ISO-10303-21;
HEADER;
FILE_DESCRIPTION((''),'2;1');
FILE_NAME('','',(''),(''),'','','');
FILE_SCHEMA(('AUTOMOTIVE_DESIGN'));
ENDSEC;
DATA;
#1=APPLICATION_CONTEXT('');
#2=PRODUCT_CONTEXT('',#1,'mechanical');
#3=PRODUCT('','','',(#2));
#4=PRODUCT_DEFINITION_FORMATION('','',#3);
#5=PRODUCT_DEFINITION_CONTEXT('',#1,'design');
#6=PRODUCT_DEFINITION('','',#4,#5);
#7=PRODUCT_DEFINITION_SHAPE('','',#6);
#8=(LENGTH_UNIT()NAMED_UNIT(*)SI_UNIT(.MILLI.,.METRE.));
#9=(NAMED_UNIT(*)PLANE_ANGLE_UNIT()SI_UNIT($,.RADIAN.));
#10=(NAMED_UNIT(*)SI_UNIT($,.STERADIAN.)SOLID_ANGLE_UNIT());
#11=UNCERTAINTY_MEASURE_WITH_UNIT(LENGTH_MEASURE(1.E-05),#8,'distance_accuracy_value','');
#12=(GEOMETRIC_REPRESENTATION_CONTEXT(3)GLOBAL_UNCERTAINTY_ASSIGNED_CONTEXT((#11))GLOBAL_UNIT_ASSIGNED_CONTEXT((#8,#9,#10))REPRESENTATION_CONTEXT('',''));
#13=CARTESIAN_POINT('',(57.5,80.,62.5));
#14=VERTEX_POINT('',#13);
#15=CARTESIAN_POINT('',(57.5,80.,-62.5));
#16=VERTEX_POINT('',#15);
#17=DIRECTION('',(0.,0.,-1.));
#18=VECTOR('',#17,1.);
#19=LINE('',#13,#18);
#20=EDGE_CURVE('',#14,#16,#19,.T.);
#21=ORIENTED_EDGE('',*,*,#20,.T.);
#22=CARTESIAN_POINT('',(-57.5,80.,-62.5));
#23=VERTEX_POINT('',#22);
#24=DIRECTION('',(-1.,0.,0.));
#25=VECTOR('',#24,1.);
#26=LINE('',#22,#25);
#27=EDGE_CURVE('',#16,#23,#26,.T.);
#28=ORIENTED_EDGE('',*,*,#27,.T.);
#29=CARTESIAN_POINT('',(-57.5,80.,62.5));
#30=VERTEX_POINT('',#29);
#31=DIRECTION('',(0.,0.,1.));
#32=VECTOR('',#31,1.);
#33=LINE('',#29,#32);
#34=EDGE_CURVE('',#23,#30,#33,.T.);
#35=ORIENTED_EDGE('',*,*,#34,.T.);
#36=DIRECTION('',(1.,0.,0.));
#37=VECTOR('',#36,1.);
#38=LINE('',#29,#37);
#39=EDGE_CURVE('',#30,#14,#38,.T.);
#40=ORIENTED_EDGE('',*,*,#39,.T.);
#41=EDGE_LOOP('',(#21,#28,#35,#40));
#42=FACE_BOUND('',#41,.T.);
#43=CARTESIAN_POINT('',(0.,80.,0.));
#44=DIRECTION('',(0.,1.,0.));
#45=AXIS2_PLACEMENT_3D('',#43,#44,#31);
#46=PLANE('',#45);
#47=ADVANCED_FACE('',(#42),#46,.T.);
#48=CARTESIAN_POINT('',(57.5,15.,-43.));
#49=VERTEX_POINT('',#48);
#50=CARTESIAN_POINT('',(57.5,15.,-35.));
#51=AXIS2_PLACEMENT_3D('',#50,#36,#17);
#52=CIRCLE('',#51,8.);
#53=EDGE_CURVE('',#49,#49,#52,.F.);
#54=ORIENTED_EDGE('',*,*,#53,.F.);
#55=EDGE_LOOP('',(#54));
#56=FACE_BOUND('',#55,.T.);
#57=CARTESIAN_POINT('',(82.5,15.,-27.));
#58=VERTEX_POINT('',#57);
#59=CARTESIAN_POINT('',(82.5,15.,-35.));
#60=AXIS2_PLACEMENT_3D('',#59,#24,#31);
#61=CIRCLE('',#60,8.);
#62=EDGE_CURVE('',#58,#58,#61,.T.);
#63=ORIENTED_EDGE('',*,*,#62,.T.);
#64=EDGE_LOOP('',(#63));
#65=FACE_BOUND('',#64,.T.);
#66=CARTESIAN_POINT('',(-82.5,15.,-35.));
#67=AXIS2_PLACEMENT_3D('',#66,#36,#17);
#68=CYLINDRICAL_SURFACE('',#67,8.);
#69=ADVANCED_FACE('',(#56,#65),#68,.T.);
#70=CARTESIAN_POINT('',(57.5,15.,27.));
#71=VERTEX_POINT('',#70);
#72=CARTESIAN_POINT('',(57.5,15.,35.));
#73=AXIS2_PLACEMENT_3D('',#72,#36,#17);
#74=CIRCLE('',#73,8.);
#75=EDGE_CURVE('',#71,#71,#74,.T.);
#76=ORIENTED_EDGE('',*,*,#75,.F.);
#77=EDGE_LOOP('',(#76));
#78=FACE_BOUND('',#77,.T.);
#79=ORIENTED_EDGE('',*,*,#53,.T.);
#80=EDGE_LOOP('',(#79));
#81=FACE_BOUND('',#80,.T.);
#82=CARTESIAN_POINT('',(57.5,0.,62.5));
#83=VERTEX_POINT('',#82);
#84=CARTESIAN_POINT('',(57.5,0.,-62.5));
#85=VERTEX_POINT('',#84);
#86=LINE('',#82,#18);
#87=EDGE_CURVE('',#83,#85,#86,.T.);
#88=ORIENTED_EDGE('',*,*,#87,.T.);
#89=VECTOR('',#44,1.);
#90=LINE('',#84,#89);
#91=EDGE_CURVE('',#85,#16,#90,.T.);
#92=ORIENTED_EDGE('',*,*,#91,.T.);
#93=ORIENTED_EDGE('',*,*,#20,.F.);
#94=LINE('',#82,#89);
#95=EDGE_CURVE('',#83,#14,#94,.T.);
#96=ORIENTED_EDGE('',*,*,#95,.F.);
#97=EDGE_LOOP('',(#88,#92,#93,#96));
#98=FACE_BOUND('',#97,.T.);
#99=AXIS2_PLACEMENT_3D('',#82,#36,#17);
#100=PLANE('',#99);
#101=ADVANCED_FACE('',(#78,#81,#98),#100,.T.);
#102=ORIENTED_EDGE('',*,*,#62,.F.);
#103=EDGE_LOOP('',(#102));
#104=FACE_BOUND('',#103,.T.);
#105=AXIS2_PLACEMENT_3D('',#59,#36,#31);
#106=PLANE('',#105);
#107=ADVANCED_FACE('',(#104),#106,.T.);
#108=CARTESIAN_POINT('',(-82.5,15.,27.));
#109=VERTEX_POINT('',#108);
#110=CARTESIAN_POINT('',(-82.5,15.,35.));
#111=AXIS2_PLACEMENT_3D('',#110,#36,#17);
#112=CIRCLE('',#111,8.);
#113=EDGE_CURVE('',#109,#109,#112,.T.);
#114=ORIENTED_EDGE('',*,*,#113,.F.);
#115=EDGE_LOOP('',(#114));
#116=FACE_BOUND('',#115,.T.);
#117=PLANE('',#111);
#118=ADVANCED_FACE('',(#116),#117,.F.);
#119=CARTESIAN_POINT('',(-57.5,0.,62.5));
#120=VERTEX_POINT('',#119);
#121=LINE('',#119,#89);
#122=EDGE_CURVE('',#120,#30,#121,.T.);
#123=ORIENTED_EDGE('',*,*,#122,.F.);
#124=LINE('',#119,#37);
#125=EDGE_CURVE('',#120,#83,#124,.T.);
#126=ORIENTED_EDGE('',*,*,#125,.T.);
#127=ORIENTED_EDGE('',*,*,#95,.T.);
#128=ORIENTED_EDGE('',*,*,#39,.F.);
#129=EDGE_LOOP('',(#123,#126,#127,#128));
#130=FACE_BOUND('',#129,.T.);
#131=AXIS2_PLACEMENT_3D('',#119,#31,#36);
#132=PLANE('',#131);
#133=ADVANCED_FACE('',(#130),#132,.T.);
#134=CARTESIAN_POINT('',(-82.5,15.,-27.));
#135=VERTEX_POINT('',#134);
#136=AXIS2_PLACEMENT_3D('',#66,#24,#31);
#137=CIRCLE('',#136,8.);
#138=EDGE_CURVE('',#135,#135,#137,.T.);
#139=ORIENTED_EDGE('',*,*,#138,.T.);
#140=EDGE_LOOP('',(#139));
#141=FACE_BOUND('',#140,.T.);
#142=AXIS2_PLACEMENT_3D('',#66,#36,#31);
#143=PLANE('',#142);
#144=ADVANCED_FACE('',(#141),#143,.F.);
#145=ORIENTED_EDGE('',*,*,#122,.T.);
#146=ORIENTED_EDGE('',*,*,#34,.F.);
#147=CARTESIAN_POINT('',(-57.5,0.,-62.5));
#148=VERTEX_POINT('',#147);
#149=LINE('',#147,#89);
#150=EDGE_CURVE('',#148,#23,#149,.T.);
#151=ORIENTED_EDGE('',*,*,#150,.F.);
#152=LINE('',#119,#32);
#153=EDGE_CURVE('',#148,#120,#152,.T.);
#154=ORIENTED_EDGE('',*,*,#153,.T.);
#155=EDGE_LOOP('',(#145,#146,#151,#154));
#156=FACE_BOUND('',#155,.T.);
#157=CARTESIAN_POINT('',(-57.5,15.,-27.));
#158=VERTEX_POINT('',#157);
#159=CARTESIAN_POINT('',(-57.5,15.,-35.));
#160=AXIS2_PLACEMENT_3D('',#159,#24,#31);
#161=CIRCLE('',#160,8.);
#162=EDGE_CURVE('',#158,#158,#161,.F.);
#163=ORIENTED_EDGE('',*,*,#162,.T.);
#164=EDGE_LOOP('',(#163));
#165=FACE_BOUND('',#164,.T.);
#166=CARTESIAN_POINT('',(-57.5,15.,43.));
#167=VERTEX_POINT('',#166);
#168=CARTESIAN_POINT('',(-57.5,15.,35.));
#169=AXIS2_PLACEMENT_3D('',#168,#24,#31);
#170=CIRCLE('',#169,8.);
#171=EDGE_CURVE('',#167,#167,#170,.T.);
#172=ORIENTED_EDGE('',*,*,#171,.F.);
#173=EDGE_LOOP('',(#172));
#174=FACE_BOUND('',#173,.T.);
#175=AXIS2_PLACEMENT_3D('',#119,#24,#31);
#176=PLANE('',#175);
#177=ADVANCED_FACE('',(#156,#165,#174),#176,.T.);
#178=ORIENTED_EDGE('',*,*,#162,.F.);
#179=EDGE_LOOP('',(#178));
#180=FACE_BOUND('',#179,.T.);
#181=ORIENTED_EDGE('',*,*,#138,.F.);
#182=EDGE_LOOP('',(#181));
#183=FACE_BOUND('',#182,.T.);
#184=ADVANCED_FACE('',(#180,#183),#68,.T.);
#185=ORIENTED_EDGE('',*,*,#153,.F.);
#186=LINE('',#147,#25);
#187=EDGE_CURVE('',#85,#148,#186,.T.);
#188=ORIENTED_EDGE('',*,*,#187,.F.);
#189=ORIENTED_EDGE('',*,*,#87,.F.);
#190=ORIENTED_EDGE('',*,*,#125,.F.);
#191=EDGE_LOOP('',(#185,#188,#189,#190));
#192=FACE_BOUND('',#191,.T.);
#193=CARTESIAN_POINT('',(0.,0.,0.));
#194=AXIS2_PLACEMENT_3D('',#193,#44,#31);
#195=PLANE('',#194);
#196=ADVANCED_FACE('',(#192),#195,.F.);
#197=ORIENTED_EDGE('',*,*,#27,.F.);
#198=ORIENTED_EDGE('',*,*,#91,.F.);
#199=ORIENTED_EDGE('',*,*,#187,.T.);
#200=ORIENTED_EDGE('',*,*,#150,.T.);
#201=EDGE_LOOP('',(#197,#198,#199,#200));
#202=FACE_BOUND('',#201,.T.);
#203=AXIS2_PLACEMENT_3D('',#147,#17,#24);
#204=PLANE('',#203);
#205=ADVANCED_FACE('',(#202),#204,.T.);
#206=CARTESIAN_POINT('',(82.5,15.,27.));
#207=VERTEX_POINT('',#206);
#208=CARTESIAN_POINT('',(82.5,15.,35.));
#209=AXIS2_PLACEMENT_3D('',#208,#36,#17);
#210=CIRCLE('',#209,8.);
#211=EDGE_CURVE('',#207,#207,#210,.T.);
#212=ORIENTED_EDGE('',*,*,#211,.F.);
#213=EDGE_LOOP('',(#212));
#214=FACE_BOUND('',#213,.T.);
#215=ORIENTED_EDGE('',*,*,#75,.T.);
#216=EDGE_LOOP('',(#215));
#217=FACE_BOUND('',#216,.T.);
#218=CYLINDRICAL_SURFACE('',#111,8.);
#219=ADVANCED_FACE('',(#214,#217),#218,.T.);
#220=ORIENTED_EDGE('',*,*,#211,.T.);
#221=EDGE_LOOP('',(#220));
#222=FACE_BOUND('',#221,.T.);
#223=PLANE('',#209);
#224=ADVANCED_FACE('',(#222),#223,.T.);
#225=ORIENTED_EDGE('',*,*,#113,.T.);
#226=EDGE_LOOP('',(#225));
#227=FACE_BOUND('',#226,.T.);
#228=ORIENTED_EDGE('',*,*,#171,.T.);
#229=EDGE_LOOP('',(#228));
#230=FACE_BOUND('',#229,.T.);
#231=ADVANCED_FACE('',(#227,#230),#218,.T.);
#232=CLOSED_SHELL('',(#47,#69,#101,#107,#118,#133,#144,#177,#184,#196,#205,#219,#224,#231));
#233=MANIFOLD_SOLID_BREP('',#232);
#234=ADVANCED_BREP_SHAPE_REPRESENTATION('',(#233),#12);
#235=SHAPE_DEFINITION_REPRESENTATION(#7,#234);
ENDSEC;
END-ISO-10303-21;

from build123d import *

# Parameters (mm, degrees)
EXTRUDE_2_DEPTH = 80
SKETCH_1_R      = 8
EXTRUDE_3_DEPTH = 82.5


with BuildPart() as part:
    # Sketch 3D_1 → 보스-돌출2 (new body)
    with BuildSketch(Plane(origin=(-57.5, 0, 62.5), x_dir=(0.6770565308208834, 0, -0.7359310117618296), z_dir=(0, -1, 0))):
        Polygon((0, 0), (77.861501044, 84.632066353), (169.852877515, 0), (91.99137647, -84.632066353), align=None)
    extrude(amount=-EXTRUDE_2_DEPTH)

    # 스케치1 → 보스-돌출3 (add, symmetric)
    with BuildSketch(Plane(origin=(0, 0, 0), x_dir=(0, 0, -1), z_dir=(1, 0, 0))):
        with Locations((-35, 15)):
            Circle(SKETCH_1_R)
    extrude_3 = extrude(amount=EXTRUDE_3_DEPTH, both=True)

    # 대칭 복사1: 보스-돌출3 across plane
    add(extrude_3.mirror(Plane.XY))


solid = part.part
